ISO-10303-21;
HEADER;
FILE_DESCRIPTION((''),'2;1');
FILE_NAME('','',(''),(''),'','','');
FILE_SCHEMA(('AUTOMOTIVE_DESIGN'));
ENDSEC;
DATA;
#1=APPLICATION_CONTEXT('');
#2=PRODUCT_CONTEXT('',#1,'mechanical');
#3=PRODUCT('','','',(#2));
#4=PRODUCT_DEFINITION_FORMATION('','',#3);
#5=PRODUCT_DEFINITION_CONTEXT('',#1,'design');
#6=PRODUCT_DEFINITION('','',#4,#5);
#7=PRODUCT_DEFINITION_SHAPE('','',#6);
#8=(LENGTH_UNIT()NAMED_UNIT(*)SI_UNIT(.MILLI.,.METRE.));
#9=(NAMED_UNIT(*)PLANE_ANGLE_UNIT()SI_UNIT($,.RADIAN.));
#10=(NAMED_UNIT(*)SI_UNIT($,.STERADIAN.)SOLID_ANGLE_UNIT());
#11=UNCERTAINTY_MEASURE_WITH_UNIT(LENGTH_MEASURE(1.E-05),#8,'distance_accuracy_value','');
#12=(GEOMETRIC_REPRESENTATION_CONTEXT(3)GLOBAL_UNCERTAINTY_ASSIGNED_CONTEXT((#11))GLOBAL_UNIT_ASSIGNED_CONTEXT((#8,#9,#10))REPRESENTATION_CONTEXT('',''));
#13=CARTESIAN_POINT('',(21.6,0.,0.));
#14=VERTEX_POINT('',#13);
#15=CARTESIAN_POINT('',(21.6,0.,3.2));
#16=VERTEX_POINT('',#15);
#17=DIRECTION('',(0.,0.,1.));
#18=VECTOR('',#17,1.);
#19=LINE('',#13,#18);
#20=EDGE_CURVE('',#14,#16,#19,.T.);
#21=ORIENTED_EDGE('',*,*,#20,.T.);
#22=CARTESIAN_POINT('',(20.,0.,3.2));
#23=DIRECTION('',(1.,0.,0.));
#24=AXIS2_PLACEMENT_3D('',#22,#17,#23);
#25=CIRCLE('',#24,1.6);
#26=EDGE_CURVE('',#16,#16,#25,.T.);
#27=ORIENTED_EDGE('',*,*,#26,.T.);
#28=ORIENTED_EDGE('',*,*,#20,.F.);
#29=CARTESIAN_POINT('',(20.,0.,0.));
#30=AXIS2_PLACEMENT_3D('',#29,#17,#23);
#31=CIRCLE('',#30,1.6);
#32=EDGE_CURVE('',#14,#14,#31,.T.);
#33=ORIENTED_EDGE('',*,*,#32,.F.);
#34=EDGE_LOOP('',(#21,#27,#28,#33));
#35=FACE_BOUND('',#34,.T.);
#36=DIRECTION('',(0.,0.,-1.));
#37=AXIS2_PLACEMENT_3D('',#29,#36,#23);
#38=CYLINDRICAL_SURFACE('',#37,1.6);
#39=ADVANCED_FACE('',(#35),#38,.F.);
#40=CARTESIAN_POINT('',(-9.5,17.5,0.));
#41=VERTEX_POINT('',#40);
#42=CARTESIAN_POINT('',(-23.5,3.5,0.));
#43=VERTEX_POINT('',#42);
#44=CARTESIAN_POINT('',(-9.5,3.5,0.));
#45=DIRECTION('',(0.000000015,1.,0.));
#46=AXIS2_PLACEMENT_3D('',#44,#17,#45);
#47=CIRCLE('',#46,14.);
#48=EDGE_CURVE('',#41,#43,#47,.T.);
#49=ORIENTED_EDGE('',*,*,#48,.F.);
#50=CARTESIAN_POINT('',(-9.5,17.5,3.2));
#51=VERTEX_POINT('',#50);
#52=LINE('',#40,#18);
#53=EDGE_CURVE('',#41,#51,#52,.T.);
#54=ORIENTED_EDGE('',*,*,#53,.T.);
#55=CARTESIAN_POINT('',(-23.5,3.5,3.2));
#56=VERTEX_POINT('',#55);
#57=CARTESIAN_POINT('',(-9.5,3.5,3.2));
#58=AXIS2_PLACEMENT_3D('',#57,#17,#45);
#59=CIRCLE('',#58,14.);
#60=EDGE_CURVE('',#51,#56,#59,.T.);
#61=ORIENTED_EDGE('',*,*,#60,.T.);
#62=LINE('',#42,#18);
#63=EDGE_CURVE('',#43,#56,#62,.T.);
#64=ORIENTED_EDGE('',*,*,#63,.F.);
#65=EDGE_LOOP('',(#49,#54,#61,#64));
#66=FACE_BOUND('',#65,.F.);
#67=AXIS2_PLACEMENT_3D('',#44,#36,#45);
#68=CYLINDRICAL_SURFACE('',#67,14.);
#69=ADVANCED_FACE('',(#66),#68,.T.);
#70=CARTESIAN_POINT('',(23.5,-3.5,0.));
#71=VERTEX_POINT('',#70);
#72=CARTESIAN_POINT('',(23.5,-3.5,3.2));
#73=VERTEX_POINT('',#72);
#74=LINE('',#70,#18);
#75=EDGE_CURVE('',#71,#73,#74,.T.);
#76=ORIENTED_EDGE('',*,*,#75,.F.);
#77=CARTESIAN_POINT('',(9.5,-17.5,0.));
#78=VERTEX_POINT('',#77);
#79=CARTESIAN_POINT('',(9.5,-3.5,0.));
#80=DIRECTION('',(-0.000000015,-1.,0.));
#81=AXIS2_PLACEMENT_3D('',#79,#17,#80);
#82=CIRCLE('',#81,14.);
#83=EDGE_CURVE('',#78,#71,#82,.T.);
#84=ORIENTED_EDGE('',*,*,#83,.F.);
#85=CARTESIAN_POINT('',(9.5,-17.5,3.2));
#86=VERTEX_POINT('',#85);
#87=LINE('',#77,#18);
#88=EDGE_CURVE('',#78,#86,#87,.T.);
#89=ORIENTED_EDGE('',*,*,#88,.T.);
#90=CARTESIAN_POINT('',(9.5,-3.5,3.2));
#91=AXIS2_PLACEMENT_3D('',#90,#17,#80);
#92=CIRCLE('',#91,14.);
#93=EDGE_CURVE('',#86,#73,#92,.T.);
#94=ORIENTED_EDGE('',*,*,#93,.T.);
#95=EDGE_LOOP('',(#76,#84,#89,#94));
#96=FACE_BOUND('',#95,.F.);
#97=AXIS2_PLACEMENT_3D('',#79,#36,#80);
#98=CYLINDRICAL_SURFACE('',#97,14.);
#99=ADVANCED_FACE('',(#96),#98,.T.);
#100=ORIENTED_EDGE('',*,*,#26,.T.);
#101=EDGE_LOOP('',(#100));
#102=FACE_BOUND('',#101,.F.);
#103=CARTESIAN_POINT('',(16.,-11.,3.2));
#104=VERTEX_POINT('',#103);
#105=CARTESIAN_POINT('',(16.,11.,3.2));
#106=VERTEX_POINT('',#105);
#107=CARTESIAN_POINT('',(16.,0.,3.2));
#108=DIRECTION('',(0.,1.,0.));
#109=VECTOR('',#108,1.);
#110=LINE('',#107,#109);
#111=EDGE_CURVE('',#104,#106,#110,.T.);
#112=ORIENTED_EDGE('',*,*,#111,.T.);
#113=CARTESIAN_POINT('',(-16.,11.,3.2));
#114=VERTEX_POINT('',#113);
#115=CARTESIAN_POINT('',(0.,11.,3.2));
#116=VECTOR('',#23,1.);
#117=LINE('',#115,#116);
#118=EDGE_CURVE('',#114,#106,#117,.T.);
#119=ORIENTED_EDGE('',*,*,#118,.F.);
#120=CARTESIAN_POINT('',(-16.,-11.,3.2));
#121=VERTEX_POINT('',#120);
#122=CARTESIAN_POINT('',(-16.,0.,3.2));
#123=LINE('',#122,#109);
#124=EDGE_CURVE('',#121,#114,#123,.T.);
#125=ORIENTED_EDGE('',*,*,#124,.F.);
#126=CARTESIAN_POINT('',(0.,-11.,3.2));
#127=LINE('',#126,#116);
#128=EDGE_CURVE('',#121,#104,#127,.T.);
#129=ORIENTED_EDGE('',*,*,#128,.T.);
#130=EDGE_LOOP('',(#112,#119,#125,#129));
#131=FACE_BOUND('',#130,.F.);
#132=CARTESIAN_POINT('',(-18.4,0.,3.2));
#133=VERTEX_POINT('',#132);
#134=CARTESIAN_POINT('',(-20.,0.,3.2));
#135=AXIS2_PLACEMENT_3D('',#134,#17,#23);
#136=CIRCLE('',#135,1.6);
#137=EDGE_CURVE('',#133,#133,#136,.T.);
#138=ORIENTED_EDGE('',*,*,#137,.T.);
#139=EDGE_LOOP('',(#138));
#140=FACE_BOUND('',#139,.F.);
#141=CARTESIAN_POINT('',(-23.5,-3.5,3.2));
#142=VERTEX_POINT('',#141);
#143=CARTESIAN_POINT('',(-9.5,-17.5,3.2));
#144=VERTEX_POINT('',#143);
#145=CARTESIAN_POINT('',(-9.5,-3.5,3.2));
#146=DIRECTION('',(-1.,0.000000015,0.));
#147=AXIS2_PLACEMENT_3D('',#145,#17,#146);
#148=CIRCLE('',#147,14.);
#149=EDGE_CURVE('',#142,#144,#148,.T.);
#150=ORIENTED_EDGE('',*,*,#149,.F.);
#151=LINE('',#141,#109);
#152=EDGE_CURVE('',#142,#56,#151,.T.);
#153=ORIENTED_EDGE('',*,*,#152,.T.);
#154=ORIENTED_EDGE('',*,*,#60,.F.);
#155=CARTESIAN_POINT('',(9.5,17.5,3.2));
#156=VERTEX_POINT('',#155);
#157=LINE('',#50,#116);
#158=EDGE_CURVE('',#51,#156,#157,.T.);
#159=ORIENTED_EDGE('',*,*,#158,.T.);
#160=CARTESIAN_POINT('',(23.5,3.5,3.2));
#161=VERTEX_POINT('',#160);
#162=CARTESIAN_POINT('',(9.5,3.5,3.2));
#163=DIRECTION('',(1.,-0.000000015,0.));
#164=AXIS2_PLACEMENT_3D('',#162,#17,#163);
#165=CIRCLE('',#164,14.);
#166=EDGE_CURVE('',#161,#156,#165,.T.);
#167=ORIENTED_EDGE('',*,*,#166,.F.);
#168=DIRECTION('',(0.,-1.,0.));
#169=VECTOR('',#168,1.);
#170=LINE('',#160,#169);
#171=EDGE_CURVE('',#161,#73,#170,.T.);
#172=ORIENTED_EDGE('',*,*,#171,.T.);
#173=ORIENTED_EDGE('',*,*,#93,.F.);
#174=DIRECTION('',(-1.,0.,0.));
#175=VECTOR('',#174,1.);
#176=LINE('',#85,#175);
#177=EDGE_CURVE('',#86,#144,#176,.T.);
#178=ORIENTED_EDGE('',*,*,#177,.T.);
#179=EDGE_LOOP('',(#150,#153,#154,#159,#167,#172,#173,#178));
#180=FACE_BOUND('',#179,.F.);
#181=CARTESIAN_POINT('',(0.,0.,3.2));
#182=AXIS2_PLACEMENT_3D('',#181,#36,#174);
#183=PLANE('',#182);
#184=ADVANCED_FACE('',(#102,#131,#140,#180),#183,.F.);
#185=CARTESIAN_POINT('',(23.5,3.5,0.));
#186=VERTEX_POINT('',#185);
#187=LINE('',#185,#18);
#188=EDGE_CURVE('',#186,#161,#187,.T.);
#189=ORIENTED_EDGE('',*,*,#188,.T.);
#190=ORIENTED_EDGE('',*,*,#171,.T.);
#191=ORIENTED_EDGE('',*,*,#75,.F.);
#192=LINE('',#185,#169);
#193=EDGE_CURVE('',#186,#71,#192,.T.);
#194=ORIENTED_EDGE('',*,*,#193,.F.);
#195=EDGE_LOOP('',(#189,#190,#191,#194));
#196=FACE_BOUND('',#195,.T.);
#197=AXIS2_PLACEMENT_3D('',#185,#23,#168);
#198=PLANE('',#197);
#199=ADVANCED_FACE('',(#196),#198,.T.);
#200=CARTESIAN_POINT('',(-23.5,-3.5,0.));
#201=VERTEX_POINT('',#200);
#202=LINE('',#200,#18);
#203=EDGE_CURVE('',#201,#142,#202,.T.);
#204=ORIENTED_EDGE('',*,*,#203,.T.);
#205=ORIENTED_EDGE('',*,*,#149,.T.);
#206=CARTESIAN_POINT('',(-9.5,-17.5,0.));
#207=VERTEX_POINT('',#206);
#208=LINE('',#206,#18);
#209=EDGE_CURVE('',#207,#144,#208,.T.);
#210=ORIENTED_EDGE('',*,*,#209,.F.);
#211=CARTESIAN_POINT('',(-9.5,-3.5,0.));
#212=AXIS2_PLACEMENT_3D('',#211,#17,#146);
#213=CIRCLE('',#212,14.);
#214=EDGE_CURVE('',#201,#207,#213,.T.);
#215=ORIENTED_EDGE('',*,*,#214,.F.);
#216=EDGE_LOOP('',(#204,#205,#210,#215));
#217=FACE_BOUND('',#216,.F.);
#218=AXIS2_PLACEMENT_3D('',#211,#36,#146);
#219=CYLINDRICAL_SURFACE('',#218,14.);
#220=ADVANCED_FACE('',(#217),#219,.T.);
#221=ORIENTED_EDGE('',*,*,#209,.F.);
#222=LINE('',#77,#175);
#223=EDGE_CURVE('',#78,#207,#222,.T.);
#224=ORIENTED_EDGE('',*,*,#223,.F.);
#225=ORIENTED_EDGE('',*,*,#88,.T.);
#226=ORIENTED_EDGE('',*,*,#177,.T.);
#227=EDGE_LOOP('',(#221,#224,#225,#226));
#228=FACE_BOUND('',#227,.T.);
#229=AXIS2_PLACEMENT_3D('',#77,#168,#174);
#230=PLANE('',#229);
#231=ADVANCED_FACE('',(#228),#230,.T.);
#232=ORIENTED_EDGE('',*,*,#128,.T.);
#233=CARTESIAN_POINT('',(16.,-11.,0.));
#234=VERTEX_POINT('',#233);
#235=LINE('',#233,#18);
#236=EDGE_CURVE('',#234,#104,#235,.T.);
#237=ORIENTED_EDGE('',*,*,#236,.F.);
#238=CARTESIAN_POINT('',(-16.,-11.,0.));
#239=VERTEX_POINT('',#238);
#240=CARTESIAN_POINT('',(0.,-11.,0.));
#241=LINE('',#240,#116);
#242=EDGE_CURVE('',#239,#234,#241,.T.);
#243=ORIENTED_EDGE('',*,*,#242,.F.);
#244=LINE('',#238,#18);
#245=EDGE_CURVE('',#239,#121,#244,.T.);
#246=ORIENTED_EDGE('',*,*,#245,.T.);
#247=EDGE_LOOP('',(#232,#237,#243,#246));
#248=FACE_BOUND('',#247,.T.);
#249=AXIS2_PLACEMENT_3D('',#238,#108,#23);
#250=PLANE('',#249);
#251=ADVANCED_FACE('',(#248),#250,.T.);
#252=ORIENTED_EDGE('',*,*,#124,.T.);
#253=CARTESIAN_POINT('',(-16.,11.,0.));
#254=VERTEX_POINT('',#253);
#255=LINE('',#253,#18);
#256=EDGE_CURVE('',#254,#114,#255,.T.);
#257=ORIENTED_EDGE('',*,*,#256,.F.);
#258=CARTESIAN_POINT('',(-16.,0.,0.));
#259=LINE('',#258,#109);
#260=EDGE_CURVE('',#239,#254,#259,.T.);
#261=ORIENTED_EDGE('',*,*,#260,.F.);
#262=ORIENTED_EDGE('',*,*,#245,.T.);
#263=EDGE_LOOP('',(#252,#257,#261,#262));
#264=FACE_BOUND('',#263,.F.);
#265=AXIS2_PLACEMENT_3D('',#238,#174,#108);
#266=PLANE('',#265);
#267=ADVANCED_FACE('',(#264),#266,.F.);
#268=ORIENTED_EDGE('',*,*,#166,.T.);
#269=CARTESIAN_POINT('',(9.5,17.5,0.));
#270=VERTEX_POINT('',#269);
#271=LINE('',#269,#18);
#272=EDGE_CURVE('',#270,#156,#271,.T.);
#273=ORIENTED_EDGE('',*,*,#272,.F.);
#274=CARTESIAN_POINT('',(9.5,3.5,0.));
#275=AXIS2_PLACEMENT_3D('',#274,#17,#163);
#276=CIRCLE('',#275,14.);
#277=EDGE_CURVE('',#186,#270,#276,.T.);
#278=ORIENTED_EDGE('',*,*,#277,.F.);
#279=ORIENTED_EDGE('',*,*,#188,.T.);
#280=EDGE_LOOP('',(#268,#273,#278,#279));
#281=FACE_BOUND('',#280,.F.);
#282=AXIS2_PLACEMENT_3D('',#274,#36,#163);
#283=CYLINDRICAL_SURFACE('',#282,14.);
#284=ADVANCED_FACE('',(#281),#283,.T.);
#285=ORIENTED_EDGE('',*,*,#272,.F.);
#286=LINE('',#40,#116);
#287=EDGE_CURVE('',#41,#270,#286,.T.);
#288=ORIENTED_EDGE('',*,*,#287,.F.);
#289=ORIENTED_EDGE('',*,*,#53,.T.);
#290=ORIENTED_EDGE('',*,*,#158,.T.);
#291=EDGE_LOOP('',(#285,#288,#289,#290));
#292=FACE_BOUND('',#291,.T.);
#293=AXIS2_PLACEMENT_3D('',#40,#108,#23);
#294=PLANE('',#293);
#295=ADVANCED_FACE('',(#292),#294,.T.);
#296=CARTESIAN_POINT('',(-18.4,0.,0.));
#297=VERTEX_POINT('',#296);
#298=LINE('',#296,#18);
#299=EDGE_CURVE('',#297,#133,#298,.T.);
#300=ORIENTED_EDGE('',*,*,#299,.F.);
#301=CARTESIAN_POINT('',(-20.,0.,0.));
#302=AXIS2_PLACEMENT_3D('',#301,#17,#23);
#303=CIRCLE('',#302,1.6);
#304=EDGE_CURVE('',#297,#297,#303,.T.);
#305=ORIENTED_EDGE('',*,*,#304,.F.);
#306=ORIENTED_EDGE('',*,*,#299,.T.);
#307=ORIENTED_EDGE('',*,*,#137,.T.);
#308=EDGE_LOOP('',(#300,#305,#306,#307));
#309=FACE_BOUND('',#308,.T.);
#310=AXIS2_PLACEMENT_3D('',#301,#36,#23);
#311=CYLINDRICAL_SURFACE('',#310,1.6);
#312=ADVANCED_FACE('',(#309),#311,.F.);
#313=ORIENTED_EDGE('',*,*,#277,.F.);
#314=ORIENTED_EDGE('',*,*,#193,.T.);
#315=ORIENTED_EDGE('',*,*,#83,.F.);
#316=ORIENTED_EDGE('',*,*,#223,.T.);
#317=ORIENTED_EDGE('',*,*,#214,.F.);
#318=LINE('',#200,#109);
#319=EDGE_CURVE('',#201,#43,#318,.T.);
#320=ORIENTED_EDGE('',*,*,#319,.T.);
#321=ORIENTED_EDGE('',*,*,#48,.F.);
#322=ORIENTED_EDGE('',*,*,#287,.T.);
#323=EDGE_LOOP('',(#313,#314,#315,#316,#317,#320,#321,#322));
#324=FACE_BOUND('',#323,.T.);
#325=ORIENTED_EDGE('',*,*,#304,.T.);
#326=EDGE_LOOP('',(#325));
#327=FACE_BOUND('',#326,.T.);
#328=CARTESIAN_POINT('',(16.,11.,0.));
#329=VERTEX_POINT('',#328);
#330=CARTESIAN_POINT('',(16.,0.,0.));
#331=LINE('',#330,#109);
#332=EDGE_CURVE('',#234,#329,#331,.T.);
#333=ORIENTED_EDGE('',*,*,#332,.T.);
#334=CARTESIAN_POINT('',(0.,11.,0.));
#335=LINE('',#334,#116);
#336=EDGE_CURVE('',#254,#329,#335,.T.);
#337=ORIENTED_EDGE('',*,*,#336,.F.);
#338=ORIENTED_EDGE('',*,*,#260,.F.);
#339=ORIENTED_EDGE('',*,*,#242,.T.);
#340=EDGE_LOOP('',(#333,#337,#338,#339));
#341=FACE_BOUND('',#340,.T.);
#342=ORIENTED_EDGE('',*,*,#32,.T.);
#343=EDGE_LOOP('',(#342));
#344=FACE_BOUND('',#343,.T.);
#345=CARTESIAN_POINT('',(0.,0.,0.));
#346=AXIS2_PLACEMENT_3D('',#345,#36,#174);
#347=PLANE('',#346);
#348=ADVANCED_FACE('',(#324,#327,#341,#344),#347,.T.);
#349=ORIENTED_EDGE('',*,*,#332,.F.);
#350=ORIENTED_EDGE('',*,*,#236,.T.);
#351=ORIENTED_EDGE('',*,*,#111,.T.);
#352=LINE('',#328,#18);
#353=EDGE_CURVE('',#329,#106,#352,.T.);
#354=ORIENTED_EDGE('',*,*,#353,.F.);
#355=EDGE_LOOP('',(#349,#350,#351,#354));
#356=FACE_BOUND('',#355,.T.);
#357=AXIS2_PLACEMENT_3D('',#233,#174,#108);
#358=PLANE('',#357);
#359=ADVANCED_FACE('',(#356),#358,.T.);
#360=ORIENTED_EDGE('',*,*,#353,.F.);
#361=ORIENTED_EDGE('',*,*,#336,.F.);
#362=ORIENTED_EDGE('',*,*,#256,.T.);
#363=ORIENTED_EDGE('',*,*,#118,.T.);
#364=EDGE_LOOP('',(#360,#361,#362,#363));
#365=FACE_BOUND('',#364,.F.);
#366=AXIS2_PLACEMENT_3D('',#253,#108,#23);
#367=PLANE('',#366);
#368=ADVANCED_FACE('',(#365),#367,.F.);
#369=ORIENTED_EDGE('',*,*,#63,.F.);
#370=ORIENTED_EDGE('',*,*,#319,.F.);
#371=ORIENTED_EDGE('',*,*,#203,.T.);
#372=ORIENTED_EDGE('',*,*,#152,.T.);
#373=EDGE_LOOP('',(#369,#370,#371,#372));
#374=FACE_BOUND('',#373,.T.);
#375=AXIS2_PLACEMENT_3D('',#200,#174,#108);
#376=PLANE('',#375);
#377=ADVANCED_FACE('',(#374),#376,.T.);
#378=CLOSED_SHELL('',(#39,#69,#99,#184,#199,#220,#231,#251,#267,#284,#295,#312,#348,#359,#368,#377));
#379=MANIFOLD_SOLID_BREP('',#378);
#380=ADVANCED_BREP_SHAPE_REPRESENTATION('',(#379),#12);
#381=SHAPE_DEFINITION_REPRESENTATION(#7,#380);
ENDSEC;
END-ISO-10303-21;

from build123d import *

# Parameters (mm, degrees)
SKETCH_R  = 1.6
SKETCH_W  = 32
SKETCH_H  = 22
PAD_DEPTH = 3.2


with BuildPart() as part:
    # Sketch → Pad (new body)
    with BuildSketch(Plane.XY):
        with BuildLine():
            Line((-9.5, 17.5), (9.5, 17.5))
            ThreePointArc((23.5, 3.5), (19.399495, 13.399495), (9.5, 17.5))
            Line((23.5, 3.5), (23.5, -3.5))
            ThreePointArc((9.5, -17.5), (19.399495, -13.399495), (23.5, -3.5))
            Line((9.5, -17.5), (-9.5, -17.5))
            ThreePointArc((-23.5, -3.5), (-19.399495, -13.399495), (-9.5, -17.5))
            Line((-23.5, -3.5), (-23.5, 3.5))
            ThreePointArc((-9.5, 17.5), (-19.399495, 13.399495), (-23.5, 3.5))
        make_face()
        with Locations((-20, 0)):
            Circle(SKETCH_R, mode=Mode.SUBTRACT)
        with Locations((20, 0)):
            Circle(SKETCH_R, mode=Mode.SUBTRACT)
        Rectangle(SKETCH_W, SKETCH_H, mode=Mode.SUBTRACT)
    extrude(amount=PAD_DEPTH)


solid = part.part
